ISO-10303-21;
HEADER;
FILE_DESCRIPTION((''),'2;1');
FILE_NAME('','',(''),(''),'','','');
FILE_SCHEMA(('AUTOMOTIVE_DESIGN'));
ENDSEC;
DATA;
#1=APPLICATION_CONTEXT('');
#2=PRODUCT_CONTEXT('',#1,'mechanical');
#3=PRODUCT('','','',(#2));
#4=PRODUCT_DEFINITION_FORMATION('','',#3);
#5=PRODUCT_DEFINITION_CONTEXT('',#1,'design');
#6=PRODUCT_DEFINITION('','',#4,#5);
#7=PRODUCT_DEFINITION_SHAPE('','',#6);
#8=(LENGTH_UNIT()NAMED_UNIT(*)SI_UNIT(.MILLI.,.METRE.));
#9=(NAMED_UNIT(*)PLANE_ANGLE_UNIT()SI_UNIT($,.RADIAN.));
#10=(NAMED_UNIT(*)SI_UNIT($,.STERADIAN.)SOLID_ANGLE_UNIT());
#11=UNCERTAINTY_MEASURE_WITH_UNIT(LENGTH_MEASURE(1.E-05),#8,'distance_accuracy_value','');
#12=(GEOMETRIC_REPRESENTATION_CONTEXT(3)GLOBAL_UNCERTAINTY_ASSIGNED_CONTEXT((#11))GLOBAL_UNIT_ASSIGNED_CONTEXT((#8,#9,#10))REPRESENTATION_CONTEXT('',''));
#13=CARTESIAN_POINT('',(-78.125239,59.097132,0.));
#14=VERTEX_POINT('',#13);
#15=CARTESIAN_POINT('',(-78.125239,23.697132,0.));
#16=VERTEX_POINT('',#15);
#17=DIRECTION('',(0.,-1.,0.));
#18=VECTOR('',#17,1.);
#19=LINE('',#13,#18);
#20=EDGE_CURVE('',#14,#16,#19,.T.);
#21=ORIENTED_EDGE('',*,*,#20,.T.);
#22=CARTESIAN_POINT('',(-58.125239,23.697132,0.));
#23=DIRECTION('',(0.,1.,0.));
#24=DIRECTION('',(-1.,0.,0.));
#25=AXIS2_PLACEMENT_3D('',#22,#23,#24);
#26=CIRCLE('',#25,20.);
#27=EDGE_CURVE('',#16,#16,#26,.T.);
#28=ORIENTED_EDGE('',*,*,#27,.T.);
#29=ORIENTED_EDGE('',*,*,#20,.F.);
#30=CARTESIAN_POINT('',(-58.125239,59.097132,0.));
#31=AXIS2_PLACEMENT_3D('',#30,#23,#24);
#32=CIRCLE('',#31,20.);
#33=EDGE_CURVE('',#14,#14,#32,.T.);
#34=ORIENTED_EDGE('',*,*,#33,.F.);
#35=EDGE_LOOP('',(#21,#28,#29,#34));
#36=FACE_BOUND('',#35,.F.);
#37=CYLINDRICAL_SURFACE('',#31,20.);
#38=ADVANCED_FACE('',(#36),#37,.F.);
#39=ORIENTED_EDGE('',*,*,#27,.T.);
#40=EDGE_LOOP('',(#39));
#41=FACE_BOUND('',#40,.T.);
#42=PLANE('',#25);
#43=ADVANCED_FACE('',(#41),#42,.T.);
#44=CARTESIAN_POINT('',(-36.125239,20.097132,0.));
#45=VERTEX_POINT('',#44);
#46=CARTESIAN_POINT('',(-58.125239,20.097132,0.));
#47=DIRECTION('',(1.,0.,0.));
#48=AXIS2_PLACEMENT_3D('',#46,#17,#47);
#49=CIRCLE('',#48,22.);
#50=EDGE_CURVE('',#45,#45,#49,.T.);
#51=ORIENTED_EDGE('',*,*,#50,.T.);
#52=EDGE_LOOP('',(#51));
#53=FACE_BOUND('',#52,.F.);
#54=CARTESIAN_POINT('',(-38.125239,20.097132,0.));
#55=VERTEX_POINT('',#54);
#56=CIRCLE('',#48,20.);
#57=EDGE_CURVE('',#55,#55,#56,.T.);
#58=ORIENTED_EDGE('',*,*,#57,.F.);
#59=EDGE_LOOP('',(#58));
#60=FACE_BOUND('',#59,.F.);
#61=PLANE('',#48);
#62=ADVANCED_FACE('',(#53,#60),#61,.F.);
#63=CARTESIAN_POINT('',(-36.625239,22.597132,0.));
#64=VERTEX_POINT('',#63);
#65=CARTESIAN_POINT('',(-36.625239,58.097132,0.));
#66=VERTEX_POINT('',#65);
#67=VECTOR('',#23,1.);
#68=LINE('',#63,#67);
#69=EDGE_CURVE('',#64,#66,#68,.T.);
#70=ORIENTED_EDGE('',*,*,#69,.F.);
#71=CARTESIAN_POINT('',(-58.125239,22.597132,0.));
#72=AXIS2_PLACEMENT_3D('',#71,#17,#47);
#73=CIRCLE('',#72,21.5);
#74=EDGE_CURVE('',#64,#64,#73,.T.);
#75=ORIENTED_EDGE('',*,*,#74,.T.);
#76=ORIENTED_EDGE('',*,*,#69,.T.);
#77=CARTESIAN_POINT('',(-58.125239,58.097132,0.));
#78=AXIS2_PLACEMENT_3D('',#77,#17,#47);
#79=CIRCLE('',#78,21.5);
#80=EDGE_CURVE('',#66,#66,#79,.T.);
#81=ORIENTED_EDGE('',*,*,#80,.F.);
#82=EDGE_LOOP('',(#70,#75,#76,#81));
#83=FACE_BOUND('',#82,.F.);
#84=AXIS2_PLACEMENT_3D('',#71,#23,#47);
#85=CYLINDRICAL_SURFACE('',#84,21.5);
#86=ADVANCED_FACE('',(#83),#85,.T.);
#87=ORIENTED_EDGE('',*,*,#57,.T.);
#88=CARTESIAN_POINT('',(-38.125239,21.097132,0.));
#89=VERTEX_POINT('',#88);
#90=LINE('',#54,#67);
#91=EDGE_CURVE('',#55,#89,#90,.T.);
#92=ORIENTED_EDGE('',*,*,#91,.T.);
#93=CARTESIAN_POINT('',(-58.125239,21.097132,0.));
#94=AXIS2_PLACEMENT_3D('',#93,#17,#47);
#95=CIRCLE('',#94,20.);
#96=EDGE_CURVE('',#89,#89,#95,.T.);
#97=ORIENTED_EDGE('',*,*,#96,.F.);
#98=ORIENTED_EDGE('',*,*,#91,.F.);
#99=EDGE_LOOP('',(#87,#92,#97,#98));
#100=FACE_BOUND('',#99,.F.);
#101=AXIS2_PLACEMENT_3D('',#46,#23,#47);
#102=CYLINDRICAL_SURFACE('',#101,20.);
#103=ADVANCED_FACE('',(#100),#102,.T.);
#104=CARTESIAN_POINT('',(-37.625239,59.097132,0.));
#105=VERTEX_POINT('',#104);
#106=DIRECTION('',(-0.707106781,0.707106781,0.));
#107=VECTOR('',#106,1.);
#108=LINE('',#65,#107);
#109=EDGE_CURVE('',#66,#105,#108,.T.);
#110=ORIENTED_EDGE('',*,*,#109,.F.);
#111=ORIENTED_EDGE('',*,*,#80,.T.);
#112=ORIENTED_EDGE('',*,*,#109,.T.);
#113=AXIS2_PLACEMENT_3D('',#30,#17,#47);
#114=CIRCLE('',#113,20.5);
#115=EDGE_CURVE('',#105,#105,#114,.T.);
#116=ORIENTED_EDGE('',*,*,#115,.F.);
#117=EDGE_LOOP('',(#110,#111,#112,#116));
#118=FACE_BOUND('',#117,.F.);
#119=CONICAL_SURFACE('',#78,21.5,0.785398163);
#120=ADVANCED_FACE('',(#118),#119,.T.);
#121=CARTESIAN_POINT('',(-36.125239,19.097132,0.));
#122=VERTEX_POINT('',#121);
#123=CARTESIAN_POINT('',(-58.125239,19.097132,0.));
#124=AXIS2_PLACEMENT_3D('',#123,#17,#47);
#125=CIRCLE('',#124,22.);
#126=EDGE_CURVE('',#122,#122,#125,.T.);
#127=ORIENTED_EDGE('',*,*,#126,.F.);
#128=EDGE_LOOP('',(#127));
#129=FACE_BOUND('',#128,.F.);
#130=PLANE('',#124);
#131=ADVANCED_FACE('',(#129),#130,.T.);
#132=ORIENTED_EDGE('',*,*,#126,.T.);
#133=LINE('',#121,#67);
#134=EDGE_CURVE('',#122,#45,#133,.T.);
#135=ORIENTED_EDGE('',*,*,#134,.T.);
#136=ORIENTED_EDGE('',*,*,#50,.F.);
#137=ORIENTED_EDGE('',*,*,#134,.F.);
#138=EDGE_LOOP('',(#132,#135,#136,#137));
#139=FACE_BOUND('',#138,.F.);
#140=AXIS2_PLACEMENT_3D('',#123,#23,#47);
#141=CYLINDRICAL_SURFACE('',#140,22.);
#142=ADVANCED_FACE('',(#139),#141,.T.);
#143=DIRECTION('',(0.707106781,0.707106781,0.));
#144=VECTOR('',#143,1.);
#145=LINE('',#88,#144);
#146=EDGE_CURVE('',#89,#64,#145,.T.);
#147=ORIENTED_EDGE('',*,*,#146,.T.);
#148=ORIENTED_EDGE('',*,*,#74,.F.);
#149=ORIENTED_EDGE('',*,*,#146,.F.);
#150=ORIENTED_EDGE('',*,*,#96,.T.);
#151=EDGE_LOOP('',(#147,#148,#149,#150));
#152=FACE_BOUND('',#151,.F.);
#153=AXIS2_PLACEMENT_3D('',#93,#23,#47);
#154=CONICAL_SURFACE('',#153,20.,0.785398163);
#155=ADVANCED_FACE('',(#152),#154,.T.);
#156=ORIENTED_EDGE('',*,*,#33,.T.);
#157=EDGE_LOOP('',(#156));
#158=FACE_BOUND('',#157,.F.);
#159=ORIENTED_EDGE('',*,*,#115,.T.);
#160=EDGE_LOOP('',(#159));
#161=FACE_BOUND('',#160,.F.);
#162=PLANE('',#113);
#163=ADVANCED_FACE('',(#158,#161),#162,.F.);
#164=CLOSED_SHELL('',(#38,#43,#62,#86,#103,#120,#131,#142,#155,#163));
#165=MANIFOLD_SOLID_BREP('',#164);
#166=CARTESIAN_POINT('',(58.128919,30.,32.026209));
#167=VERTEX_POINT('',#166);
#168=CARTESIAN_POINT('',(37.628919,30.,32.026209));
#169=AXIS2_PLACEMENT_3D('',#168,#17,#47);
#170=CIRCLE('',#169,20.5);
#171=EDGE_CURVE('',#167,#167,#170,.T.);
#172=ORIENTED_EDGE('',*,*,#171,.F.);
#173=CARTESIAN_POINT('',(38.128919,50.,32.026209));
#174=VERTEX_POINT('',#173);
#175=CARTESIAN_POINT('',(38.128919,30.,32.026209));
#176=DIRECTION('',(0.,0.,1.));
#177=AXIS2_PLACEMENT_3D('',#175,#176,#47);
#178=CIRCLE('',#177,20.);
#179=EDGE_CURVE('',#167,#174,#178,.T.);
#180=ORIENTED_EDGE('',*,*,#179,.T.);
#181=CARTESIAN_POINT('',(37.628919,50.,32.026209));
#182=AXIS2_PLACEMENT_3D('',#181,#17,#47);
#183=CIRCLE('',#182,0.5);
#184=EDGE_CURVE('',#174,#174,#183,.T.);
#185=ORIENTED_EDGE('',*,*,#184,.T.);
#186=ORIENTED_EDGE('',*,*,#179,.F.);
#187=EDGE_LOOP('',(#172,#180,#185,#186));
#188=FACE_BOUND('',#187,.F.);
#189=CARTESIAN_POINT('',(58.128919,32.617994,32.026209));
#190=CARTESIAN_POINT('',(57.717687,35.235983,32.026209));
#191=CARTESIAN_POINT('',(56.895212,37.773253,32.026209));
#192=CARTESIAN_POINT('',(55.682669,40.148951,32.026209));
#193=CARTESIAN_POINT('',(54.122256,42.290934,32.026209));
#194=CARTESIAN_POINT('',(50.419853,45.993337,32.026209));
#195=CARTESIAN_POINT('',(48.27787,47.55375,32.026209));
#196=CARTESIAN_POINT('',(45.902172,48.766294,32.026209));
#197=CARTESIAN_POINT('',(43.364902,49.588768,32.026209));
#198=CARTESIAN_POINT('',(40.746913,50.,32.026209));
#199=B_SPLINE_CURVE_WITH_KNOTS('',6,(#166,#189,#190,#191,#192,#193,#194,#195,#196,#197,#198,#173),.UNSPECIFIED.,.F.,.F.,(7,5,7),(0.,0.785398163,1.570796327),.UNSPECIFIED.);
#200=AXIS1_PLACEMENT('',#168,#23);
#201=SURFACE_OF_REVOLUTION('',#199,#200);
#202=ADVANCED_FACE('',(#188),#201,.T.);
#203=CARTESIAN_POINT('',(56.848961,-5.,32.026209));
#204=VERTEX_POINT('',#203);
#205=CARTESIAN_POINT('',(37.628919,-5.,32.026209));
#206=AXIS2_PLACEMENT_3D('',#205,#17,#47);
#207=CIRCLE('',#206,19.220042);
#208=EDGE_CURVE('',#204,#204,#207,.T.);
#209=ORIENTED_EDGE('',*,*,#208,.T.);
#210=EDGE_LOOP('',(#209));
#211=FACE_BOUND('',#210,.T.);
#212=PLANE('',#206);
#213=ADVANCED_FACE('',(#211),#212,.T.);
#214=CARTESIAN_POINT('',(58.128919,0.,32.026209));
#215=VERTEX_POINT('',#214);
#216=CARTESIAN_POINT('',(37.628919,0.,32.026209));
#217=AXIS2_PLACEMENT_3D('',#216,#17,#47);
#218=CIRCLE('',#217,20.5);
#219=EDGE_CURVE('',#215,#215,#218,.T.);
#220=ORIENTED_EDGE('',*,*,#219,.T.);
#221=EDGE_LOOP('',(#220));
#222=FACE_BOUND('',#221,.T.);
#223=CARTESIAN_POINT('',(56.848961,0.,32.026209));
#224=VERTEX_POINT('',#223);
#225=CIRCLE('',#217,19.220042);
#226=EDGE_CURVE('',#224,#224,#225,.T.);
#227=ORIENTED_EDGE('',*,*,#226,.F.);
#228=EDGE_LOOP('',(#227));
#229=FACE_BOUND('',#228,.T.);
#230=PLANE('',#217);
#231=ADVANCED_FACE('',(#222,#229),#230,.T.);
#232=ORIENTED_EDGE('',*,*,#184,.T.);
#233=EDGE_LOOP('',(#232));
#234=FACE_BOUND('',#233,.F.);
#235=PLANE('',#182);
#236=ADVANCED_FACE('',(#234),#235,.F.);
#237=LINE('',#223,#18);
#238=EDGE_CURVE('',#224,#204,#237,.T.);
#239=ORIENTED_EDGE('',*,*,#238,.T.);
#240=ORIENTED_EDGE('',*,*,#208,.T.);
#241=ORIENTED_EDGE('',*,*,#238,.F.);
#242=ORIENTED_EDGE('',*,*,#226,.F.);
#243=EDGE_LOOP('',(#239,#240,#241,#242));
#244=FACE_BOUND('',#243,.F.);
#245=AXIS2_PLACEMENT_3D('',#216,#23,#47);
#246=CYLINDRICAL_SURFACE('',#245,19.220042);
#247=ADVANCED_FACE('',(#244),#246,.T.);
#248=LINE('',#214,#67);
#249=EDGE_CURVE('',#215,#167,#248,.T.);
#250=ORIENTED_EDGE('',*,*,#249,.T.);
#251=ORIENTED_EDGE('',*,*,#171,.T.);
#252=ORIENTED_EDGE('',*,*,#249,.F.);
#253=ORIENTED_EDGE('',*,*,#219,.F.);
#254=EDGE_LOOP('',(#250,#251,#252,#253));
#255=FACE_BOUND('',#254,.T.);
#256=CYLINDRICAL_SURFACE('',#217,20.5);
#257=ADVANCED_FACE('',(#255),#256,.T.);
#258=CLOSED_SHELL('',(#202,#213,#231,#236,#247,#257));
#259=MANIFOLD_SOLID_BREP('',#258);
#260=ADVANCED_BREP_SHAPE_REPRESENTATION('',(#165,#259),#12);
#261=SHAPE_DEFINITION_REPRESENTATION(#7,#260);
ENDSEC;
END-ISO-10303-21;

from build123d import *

# Parameters (mm, degrees)
F3_R      = 20
F4_DEPTH  = 35.4
F5_SIZE   = 1
F6_R      = 20.5
F7_DEPTH  = 50
F8_R      = 20
F9_R      = 19.2200418253
F10_DEPTH = 5


with BuildPart() as f2:
    # F0 (on Top) → F2 (revolve)
    with BuildSketch(Plane.XY):
        Polygon((-36.6252385923, 22.5971317332), (-36.6252385923, 52.5971317332), (-36.6252385923, 59.0971317332), (-58.1252385923, 59.0971317332), (-58.1252385923, 19.0971317332), (-38.1252385923, 19.0971317332), (-36.1252385923, 19.0971317332), (-36.1252385923, 20.0971317332), (-38.1252385923, 20.0971317332), (-38.1252385923, 21.0971317332), align=None)
    revolve(axis=Axis((-58.1252385923, 40.6790506285, 0), (0, -1, 0)))

    # F3 (on face) → F4 (cut)
    with BuildSketch(Plane(origin=(0, 59.0971317332, 0), x_dir=(-1, 0, 0), z_dir=(0, 1, 0))):
        with Locations((58.1252385923, 0)):
            Circle(F3_R)
    extrude(amount=-F4_DEPTH, mode=Mode.SUBTRACT)

    # F5
    f5_edges = [f2.edges().sort_by_distance(p)[0] for p in [
        (-79.625239, 59.097132, 0),
    ]]
    chamfer(f5_edges, length=F5_SIZE)


with BuildPart() as f7:
    # F6 (on Front) → F7 (new body)
    with BuildSketch(Plane.XZ):
        with Locations((37.6289188862, 32.0262089372)):
            Circle(F6_R)
    extrude(amount=-F7_DEPTH)

    # F8
    f8_edges = [f7.edges().sort_by_distance(p)[0] for p in [
        (17.128919, 50, 32.026209),
    ]]
    fillet(f8_edges, radius=F8_R)

    # F9 (on face) → F10 (join)
    with BuildSketch(Plane.XZ):
        with Locations((37.6289188862, 32.0262089372)):
            Circle(F9_R)
    extrude(amount=F10_DEPTH)


solid = Compound([f2.part, f7.part])
